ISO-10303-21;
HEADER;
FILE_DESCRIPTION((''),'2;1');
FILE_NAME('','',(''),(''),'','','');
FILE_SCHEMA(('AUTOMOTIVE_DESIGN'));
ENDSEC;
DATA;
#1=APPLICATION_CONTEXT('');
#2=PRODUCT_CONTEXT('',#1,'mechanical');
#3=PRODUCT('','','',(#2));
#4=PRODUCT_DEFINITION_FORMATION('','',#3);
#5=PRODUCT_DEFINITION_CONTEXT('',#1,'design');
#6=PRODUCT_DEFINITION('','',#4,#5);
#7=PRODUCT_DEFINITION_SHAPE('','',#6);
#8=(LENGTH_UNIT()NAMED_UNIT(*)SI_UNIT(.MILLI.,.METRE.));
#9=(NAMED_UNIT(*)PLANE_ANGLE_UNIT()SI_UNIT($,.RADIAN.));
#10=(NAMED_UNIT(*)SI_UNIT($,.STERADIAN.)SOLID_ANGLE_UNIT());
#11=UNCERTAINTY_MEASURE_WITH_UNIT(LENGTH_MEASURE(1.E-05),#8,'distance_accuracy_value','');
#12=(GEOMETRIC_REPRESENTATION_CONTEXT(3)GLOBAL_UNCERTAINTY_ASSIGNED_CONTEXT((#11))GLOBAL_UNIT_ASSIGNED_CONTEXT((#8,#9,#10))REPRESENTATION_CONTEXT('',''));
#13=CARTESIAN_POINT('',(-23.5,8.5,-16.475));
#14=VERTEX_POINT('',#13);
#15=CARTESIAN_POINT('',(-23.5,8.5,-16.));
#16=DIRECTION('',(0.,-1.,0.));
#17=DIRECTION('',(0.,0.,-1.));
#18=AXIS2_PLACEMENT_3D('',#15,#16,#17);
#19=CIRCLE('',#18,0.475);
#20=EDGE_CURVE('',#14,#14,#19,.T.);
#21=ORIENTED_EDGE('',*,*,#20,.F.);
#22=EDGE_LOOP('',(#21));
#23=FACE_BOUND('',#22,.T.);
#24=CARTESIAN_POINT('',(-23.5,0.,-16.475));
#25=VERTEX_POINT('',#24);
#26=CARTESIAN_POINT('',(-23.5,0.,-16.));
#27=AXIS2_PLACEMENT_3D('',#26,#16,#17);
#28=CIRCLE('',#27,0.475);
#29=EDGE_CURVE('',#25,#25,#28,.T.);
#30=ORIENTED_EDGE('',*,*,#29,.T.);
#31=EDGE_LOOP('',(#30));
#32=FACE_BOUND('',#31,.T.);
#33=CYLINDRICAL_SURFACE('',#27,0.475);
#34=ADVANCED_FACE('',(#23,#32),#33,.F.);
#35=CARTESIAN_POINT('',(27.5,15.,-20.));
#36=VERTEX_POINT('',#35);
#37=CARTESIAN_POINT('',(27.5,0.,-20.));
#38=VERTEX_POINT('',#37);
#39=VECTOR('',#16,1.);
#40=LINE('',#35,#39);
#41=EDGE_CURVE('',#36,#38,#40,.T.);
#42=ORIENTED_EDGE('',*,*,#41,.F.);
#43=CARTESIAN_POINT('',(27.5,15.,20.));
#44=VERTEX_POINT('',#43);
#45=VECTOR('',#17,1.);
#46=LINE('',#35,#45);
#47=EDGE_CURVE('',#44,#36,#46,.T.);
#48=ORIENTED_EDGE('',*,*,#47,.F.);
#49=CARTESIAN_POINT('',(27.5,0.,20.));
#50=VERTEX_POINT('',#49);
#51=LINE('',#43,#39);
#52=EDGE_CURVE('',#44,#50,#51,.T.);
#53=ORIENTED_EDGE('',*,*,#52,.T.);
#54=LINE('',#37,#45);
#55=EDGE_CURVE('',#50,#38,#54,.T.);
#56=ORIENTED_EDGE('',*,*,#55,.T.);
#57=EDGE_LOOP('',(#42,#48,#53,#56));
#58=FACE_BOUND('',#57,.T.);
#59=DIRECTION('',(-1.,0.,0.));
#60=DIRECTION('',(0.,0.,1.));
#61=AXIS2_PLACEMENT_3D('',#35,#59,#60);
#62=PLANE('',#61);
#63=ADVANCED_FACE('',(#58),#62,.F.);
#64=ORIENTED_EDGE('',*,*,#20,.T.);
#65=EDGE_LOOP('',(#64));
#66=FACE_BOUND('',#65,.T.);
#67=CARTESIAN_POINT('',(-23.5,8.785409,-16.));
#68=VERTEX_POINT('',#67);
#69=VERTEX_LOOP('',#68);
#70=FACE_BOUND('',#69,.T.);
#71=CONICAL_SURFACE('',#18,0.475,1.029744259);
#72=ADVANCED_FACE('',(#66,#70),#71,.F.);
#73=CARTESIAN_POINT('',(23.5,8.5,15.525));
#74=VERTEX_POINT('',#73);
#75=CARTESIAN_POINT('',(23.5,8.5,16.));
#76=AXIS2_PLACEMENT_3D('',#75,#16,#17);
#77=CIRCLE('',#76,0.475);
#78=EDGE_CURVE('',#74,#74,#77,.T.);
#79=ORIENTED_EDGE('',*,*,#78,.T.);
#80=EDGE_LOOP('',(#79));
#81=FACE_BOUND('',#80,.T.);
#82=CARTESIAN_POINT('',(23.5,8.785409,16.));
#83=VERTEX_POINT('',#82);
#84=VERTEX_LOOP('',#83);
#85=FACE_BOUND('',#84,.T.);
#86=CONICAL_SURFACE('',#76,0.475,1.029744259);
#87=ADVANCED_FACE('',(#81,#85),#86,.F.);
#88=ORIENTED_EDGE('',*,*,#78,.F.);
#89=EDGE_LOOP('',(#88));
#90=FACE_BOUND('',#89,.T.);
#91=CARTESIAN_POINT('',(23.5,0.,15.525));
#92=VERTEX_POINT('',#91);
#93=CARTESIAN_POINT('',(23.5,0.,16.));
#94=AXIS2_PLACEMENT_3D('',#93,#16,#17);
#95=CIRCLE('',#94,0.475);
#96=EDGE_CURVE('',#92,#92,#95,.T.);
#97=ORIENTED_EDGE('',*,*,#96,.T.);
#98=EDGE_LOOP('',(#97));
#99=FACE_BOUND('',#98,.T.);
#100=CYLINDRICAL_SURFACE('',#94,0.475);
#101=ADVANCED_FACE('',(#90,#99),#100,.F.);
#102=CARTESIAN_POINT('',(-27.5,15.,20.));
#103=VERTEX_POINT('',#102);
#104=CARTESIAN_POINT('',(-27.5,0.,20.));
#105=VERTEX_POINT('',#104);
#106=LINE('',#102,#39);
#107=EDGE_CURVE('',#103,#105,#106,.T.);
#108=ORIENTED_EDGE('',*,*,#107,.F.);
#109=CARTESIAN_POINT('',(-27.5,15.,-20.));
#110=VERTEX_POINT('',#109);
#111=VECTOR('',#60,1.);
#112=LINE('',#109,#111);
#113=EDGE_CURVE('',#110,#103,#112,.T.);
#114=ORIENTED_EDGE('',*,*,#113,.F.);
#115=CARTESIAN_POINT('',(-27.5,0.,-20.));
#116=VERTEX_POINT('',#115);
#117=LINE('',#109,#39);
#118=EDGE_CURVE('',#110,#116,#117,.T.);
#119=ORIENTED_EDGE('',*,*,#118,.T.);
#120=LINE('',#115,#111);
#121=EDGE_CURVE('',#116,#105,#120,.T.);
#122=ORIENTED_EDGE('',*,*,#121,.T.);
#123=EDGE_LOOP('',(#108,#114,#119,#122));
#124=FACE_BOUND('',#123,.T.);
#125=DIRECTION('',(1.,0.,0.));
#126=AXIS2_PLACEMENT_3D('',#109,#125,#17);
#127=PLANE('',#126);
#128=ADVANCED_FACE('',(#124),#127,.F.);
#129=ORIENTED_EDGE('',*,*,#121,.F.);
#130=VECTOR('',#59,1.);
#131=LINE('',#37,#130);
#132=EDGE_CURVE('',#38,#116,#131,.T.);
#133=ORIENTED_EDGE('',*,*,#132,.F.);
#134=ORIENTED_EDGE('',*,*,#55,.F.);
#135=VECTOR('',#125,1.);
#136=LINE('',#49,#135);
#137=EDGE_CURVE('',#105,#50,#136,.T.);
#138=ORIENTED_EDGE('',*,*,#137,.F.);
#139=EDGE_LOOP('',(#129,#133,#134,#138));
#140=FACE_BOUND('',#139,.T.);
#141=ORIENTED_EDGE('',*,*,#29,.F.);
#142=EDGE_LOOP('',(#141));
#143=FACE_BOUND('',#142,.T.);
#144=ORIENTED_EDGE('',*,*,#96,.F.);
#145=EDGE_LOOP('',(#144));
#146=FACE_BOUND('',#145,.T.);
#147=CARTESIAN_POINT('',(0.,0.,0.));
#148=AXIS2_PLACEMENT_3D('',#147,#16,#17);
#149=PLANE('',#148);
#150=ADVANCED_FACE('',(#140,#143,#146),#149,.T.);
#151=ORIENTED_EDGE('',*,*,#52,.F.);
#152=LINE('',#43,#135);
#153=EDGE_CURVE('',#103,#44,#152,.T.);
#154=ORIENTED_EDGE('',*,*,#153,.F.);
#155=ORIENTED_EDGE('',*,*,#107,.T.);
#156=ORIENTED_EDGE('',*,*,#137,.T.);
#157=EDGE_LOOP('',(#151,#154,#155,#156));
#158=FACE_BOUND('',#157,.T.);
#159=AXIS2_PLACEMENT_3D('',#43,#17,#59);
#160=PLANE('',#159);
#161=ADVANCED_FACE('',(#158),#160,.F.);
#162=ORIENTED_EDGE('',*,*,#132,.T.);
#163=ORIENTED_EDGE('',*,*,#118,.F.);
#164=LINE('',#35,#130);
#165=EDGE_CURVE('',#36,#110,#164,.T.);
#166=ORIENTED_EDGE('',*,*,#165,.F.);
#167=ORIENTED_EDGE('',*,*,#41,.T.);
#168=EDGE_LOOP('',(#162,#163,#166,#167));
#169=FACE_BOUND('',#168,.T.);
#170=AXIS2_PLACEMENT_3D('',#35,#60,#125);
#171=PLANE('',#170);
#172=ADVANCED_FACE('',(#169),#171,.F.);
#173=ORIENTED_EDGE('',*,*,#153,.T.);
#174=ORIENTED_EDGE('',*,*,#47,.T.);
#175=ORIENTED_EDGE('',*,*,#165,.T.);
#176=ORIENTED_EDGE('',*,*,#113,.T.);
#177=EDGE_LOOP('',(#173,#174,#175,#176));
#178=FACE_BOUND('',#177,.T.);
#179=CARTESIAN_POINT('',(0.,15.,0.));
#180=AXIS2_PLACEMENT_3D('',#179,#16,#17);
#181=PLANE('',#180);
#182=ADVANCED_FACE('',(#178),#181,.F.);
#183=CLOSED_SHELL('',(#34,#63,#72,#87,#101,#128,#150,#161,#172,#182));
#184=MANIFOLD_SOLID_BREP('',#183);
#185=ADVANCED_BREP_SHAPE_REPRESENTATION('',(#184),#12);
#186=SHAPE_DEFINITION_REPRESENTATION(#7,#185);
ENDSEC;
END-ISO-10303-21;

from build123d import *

# Parameters (mm, degrees)
SKETCH1_W                    = 55
SKETCH1_H                    = 40
BOSS_EXTRUDE1_DEPTH          = 15
M1_2X0_25_TAPPED_HOLE1_D     = 0.95
M1_2X0_25_TAPPED_HOLE1_DEPTH = 8.5
M1_2X0_25_TAPPED_HOLE1_TIP   = 0.285408794


with BuildPart() as part:
    # Sketch1 → Boss-Extrude1 (new body)
    with BuildSketch(Plane(origin=(0, 0, 0), x_dir=(1, 0, 0), z_dir=(0, 1, 0))):
        Rectangle(SKETCH1_W, SKETCH1_H)
    extrude(amount=BOSS_EXTRUDE1_DEPTH)

    # M1.2x0.25 Tapped Hole1
    with Locations(Plane(origin=(0, 0, 0), x_dir=(-1, 0, 0), z_dir=(0, -1, 0))):
        with Locations((-23.5, -16), (23.5, 16)):
            Hole(M1_2X0_25_TAPPED_HOLE1_D / 2, depth=M1_2X0_25_TAPPED_HOLE1_DEPTH)
            with Locations((0, 0, -(M1_2X0_25_TAPPED_HOLE1_DEPTH + M1_2X0_25_TAPPED_HOLE1_TIP / 2))):  # 118° drill point
                Cone(0, M1_2X0_25_TAPPED_HOLE1_D / 2, M1_2X0_25_TAPPED_HOLE1_TIP, mode=Mode.SUBTRACT)


solid = part.part
